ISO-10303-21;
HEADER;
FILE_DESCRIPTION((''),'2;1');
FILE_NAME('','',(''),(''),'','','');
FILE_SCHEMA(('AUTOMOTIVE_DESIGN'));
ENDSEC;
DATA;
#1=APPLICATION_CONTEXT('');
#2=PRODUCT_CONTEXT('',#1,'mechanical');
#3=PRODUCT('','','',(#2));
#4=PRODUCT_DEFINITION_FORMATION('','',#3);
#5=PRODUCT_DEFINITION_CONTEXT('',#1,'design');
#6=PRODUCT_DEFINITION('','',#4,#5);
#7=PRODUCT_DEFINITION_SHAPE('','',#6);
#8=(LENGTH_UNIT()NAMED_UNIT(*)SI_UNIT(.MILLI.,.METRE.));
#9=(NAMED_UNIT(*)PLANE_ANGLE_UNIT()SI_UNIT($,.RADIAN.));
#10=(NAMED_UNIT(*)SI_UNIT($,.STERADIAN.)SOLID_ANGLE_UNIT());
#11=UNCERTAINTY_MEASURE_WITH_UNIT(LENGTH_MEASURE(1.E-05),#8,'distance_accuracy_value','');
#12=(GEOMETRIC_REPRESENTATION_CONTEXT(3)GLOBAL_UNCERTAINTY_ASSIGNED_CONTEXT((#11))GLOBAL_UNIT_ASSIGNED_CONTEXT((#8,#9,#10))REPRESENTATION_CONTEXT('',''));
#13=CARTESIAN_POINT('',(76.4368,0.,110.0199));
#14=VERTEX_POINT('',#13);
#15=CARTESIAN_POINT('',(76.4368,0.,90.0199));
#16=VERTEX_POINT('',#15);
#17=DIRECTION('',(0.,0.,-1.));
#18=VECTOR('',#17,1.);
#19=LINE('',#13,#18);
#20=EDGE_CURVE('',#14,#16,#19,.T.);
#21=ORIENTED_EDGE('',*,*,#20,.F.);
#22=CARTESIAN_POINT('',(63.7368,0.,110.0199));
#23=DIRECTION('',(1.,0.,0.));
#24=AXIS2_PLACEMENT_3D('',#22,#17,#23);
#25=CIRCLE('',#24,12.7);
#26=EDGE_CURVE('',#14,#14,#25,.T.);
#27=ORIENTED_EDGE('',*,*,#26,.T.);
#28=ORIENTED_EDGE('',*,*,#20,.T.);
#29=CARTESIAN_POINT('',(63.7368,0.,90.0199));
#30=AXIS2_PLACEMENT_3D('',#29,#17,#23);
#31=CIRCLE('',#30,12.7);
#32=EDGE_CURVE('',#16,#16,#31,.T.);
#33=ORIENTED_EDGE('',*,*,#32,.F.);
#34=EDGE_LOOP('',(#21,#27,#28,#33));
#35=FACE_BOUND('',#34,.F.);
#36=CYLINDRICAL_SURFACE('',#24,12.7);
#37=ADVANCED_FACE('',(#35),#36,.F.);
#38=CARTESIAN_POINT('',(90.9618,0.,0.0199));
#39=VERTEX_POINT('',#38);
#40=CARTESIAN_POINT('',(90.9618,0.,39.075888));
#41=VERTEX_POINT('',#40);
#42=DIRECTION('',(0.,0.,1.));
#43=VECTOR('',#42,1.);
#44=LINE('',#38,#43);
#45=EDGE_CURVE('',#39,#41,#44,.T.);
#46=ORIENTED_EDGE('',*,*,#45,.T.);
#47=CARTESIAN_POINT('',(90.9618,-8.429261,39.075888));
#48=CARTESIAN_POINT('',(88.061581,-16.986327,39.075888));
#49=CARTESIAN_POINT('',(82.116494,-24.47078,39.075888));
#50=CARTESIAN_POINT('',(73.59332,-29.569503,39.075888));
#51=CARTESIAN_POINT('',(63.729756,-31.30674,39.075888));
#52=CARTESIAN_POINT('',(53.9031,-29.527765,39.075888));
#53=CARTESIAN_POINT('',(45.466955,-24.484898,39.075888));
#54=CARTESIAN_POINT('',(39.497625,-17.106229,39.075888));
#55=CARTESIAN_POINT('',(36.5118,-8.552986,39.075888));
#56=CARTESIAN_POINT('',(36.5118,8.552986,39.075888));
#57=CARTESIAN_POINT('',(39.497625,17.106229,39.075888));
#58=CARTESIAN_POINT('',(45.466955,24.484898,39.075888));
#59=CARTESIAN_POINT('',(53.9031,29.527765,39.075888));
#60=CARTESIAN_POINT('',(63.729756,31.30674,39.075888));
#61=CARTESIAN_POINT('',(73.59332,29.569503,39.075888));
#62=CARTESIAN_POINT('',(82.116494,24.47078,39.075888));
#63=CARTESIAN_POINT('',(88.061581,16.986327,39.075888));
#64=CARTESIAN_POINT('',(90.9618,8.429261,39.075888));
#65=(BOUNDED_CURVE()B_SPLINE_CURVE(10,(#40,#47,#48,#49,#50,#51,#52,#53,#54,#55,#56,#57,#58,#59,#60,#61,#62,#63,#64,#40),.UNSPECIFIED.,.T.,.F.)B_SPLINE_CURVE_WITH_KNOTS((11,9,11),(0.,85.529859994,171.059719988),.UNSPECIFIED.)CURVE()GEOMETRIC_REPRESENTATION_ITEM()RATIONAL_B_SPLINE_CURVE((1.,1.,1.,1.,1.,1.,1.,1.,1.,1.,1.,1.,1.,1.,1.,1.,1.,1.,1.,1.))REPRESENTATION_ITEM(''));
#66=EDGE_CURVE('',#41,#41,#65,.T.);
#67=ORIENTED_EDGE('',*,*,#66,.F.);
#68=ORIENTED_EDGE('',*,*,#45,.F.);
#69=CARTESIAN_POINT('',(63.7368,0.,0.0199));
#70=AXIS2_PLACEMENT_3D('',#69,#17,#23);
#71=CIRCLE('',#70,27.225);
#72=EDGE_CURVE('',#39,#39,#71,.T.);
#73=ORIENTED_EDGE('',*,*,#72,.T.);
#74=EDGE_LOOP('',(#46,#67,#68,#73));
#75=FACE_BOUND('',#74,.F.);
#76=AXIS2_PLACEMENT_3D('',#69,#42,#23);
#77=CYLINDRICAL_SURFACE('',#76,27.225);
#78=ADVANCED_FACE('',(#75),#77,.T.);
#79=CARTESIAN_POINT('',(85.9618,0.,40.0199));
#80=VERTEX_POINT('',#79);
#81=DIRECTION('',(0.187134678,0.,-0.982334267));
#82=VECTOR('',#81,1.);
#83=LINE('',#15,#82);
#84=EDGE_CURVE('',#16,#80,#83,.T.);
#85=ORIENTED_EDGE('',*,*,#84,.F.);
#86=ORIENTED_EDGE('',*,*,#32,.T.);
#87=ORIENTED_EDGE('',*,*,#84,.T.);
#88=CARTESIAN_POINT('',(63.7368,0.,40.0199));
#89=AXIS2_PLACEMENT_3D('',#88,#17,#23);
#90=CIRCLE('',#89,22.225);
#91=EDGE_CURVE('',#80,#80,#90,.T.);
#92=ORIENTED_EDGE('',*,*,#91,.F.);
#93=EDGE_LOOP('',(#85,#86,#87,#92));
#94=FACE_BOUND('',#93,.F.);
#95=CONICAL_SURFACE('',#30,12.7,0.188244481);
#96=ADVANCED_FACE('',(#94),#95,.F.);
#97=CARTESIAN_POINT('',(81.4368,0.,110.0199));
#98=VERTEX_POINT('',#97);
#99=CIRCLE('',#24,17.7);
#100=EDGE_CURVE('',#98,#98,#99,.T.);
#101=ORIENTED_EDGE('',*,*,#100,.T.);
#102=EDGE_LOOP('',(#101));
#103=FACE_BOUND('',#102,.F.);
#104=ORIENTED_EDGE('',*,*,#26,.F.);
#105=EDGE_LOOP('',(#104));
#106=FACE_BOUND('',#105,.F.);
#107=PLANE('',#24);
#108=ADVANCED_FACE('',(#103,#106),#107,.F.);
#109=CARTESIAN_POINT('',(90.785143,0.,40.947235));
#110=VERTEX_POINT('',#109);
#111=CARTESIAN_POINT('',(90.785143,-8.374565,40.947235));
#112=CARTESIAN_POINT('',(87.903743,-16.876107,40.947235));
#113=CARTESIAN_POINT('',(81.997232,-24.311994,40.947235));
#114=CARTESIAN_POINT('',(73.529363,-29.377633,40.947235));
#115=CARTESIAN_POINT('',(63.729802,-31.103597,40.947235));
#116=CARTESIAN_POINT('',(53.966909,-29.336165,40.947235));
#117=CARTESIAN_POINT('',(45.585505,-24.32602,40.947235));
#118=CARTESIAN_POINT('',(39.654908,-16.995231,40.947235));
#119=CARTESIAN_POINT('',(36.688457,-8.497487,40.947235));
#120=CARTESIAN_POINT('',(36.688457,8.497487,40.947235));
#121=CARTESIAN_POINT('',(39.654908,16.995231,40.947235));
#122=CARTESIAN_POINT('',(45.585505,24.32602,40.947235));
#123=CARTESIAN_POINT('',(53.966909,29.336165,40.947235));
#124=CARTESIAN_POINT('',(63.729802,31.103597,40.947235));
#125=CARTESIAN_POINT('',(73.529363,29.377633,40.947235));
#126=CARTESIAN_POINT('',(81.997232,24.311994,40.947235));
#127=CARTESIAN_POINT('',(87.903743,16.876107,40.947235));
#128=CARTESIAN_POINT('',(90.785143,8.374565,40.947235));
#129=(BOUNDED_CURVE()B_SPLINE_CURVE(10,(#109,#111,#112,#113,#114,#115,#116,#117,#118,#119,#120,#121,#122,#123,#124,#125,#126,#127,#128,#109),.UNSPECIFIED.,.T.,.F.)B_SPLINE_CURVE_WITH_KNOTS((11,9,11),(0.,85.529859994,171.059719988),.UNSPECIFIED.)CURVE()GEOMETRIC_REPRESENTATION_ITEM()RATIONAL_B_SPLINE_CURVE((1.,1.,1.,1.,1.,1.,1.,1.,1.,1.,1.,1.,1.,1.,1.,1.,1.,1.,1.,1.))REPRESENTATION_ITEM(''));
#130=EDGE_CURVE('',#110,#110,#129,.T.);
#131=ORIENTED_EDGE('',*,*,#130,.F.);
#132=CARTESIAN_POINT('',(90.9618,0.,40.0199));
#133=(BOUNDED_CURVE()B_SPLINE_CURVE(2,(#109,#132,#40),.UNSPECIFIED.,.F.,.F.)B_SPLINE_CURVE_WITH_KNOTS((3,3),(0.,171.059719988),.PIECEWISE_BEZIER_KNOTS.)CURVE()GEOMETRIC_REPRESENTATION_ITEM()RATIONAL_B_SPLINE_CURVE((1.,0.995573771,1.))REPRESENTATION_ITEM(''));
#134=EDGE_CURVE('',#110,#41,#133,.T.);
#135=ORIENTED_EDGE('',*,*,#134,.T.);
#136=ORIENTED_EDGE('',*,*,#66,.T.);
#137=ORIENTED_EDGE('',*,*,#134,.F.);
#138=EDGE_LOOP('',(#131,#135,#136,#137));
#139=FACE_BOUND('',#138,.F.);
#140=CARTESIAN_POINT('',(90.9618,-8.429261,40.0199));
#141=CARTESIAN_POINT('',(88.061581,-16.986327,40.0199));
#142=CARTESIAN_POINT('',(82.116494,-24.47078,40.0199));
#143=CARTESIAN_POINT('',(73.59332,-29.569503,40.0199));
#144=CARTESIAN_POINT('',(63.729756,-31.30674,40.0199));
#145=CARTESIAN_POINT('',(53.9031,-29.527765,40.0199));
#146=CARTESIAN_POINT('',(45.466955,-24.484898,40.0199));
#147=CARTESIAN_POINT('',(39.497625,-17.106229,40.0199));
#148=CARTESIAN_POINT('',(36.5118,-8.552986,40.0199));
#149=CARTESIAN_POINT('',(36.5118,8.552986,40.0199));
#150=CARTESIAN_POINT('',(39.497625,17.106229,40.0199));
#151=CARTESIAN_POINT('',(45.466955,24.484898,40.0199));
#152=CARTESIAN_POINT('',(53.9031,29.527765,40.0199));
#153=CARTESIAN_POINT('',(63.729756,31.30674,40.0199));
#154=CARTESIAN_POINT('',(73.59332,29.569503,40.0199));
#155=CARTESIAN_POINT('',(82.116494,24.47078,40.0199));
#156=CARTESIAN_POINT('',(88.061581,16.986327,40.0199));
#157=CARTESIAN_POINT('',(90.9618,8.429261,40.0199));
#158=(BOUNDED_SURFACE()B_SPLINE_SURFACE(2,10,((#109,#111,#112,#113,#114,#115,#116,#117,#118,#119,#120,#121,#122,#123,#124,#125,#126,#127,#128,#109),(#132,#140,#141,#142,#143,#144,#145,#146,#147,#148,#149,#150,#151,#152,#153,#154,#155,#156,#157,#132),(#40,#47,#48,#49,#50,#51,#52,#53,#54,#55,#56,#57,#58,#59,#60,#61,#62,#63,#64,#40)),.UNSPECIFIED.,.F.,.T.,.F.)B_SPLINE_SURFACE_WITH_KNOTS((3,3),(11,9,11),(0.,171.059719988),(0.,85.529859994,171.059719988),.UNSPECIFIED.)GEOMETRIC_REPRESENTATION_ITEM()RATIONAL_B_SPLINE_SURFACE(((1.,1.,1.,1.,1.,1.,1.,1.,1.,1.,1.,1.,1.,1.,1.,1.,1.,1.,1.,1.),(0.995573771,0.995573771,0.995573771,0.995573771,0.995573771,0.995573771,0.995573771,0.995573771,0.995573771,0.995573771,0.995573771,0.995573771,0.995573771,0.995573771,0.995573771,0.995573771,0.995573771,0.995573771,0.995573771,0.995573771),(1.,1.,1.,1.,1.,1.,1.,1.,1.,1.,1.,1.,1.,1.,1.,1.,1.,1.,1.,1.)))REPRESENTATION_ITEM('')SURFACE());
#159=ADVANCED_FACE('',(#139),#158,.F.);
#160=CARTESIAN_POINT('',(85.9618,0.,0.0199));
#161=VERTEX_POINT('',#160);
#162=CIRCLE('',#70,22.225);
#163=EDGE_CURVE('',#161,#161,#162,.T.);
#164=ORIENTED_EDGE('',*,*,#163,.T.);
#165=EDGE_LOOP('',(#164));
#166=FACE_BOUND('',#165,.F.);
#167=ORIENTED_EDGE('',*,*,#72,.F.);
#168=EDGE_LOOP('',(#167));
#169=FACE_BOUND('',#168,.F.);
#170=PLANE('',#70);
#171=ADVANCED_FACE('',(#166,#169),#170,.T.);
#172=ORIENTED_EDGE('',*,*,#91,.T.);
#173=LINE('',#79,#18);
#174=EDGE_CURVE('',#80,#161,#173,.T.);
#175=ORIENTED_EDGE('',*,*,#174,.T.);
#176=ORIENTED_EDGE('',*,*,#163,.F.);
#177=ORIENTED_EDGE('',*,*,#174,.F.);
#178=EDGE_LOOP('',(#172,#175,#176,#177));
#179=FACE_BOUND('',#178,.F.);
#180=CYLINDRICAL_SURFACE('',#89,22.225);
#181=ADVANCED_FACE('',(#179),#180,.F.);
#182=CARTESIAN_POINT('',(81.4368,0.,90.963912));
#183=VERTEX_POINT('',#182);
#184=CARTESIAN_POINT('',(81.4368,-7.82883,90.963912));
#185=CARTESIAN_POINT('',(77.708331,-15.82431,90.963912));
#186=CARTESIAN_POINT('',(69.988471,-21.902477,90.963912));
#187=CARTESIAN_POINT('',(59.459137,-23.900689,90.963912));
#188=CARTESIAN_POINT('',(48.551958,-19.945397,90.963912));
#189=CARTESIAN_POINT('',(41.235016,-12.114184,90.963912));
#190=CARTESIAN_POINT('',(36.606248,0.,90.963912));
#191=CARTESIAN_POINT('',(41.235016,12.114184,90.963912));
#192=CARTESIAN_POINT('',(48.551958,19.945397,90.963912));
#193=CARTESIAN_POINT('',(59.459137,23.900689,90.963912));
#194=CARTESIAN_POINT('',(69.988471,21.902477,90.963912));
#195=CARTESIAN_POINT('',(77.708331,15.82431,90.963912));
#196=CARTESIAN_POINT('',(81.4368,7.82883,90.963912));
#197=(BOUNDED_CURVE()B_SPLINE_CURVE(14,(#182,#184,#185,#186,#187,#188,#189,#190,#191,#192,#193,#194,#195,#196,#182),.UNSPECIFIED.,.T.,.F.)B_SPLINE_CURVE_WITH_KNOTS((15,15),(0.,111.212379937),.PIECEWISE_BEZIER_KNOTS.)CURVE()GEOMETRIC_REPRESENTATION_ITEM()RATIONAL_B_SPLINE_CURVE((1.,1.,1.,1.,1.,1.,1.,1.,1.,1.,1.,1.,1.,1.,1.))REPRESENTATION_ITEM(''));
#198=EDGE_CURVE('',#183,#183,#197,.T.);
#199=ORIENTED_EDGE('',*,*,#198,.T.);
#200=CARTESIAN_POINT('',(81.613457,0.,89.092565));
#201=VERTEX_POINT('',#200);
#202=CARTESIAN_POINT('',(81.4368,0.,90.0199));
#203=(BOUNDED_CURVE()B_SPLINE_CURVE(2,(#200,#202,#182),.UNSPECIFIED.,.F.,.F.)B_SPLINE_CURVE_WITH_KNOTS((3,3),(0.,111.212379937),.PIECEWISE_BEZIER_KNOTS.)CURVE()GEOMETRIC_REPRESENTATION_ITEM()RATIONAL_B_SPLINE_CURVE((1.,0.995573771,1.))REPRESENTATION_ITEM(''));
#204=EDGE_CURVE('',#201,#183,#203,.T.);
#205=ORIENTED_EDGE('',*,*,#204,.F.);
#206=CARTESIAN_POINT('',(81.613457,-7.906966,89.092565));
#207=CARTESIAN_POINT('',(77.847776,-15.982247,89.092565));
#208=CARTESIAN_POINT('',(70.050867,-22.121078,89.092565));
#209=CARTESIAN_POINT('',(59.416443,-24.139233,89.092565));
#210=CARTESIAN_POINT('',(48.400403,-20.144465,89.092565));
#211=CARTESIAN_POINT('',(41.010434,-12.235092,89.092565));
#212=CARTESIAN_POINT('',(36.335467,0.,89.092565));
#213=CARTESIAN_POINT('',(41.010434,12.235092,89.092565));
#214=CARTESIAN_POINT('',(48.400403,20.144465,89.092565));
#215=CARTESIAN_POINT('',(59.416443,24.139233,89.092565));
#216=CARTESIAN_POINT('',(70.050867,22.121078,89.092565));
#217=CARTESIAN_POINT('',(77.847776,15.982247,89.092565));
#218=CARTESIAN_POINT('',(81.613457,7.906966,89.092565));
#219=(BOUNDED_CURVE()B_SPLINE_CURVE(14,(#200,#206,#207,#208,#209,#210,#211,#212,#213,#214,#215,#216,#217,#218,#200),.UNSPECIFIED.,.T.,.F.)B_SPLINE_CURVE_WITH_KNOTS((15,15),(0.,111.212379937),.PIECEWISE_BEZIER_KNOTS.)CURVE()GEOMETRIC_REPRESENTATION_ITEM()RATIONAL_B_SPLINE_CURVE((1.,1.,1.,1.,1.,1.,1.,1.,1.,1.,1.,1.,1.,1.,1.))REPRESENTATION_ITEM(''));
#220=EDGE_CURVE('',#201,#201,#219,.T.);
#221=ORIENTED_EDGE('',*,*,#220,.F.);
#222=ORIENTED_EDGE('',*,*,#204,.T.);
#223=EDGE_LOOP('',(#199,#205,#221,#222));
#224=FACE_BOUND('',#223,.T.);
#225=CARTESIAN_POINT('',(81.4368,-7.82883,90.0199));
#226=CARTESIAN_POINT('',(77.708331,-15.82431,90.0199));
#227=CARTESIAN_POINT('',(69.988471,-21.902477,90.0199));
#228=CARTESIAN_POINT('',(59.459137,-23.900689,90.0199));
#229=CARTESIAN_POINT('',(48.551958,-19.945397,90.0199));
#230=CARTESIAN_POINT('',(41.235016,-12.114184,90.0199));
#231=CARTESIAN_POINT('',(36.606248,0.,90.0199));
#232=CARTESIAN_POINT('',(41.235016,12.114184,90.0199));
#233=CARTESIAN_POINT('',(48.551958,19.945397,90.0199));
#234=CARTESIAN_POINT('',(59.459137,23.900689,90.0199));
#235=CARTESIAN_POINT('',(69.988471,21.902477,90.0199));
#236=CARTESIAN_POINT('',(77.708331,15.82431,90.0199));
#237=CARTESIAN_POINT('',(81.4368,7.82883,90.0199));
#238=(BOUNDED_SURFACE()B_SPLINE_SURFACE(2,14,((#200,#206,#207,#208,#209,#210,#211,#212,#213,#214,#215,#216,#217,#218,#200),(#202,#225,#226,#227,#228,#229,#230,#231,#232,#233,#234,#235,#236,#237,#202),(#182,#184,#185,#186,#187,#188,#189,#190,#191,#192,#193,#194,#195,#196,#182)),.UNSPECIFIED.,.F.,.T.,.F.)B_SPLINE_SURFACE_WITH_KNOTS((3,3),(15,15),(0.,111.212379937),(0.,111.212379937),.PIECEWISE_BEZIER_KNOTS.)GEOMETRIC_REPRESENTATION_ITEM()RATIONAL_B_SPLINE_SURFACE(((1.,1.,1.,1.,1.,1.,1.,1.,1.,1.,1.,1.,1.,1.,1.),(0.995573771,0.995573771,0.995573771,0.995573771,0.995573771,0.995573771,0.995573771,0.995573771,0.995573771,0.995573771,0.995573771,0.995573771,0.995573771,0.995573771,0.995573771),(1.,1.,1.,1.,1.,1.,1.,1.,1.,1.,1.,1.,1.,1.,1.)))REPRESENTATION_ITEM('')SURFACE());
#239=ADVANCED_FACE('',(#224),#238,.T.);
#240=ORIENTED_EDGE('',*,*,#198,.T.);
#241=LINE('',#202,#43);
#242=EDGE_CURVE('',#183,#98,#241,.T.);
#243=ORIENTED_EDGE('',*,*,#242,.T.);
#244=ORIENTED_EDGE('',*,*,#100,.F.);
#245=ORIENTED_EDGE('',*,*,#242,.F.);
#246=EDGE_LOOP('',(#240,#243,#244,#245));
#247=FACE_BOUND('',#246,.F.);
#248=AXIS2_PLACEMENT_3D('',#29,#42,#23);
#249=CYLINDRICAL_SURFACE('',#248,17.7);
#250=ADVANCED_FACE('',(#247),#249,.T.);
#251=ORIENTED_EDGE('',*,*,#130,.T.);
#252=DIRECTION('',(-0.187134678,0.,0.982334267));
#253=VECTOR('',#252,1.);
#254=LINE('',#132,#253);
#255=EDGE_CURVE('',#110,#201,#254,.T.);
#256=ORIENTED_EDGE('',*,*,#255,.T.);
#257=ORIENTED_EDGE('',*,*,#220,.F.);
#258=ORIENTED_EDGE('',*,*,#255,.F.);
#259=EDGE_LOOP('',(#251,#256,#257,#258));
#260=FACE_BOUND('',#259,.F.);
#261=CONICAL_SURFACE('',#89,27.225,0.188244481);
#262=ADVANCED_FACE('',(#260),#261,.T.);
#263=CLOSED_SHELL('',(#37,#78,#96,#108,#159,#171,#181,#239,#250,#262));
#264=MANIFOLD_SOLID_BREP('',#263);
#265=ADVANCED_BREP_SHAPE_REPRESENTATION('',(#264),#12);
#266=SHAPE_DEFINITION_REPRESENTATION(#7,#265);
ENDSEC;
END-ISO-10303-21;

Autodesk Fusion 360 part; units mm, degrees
sketch "Sketch12" plane through (0, 0, 0) normal (0, 1, 0) x (1, 0, 0)
  line L0 (90.9618, -0.0199) -> (90.9618, -40.0199)
  line L1 (90.9618, -40.0199) -> (81.4368, -90.0199)
  line L2 (81.4368, -90.0199) -> (81.4368, -110.0199)
  line L3 (81.4368, -110.0199) -> (76.4368, -110.0199)
  line L4 (76.4368, -110.0199) -> (76.4368, -90.0199)
  line L5 (76.4368, -90.0199) -> (85.9618, -40.0199)
  line L6 (85.9618, -40.0199) -> (85.9618, -0.0199)
  line L7 (85.9618, -0.0199) -> (90.9618, -0.0199)
  line L8 (63.7368, -110.603) -> (63.7368, -0.0809)
  dimension "d16" = 5
  dimension "d17" = 5
  dimension "d18" = 50
  dimension "d19" = 20
  dimension "d20" = 40
  dimension "d21" = 12.7
  dimension "d27" = 22.225
revolve "Revolve1" add sketch "Sketch12" angle 360 about axis through (63.7368, 0, 110.603) along (0, 0, -1)
fillet "Fillet1" radius 10 1 edges at (47.2346, -6.4006, 90.0199)
fillet "Fillet2" radius 10 1 edges at (38.3542, -9.845, 40.0199)
